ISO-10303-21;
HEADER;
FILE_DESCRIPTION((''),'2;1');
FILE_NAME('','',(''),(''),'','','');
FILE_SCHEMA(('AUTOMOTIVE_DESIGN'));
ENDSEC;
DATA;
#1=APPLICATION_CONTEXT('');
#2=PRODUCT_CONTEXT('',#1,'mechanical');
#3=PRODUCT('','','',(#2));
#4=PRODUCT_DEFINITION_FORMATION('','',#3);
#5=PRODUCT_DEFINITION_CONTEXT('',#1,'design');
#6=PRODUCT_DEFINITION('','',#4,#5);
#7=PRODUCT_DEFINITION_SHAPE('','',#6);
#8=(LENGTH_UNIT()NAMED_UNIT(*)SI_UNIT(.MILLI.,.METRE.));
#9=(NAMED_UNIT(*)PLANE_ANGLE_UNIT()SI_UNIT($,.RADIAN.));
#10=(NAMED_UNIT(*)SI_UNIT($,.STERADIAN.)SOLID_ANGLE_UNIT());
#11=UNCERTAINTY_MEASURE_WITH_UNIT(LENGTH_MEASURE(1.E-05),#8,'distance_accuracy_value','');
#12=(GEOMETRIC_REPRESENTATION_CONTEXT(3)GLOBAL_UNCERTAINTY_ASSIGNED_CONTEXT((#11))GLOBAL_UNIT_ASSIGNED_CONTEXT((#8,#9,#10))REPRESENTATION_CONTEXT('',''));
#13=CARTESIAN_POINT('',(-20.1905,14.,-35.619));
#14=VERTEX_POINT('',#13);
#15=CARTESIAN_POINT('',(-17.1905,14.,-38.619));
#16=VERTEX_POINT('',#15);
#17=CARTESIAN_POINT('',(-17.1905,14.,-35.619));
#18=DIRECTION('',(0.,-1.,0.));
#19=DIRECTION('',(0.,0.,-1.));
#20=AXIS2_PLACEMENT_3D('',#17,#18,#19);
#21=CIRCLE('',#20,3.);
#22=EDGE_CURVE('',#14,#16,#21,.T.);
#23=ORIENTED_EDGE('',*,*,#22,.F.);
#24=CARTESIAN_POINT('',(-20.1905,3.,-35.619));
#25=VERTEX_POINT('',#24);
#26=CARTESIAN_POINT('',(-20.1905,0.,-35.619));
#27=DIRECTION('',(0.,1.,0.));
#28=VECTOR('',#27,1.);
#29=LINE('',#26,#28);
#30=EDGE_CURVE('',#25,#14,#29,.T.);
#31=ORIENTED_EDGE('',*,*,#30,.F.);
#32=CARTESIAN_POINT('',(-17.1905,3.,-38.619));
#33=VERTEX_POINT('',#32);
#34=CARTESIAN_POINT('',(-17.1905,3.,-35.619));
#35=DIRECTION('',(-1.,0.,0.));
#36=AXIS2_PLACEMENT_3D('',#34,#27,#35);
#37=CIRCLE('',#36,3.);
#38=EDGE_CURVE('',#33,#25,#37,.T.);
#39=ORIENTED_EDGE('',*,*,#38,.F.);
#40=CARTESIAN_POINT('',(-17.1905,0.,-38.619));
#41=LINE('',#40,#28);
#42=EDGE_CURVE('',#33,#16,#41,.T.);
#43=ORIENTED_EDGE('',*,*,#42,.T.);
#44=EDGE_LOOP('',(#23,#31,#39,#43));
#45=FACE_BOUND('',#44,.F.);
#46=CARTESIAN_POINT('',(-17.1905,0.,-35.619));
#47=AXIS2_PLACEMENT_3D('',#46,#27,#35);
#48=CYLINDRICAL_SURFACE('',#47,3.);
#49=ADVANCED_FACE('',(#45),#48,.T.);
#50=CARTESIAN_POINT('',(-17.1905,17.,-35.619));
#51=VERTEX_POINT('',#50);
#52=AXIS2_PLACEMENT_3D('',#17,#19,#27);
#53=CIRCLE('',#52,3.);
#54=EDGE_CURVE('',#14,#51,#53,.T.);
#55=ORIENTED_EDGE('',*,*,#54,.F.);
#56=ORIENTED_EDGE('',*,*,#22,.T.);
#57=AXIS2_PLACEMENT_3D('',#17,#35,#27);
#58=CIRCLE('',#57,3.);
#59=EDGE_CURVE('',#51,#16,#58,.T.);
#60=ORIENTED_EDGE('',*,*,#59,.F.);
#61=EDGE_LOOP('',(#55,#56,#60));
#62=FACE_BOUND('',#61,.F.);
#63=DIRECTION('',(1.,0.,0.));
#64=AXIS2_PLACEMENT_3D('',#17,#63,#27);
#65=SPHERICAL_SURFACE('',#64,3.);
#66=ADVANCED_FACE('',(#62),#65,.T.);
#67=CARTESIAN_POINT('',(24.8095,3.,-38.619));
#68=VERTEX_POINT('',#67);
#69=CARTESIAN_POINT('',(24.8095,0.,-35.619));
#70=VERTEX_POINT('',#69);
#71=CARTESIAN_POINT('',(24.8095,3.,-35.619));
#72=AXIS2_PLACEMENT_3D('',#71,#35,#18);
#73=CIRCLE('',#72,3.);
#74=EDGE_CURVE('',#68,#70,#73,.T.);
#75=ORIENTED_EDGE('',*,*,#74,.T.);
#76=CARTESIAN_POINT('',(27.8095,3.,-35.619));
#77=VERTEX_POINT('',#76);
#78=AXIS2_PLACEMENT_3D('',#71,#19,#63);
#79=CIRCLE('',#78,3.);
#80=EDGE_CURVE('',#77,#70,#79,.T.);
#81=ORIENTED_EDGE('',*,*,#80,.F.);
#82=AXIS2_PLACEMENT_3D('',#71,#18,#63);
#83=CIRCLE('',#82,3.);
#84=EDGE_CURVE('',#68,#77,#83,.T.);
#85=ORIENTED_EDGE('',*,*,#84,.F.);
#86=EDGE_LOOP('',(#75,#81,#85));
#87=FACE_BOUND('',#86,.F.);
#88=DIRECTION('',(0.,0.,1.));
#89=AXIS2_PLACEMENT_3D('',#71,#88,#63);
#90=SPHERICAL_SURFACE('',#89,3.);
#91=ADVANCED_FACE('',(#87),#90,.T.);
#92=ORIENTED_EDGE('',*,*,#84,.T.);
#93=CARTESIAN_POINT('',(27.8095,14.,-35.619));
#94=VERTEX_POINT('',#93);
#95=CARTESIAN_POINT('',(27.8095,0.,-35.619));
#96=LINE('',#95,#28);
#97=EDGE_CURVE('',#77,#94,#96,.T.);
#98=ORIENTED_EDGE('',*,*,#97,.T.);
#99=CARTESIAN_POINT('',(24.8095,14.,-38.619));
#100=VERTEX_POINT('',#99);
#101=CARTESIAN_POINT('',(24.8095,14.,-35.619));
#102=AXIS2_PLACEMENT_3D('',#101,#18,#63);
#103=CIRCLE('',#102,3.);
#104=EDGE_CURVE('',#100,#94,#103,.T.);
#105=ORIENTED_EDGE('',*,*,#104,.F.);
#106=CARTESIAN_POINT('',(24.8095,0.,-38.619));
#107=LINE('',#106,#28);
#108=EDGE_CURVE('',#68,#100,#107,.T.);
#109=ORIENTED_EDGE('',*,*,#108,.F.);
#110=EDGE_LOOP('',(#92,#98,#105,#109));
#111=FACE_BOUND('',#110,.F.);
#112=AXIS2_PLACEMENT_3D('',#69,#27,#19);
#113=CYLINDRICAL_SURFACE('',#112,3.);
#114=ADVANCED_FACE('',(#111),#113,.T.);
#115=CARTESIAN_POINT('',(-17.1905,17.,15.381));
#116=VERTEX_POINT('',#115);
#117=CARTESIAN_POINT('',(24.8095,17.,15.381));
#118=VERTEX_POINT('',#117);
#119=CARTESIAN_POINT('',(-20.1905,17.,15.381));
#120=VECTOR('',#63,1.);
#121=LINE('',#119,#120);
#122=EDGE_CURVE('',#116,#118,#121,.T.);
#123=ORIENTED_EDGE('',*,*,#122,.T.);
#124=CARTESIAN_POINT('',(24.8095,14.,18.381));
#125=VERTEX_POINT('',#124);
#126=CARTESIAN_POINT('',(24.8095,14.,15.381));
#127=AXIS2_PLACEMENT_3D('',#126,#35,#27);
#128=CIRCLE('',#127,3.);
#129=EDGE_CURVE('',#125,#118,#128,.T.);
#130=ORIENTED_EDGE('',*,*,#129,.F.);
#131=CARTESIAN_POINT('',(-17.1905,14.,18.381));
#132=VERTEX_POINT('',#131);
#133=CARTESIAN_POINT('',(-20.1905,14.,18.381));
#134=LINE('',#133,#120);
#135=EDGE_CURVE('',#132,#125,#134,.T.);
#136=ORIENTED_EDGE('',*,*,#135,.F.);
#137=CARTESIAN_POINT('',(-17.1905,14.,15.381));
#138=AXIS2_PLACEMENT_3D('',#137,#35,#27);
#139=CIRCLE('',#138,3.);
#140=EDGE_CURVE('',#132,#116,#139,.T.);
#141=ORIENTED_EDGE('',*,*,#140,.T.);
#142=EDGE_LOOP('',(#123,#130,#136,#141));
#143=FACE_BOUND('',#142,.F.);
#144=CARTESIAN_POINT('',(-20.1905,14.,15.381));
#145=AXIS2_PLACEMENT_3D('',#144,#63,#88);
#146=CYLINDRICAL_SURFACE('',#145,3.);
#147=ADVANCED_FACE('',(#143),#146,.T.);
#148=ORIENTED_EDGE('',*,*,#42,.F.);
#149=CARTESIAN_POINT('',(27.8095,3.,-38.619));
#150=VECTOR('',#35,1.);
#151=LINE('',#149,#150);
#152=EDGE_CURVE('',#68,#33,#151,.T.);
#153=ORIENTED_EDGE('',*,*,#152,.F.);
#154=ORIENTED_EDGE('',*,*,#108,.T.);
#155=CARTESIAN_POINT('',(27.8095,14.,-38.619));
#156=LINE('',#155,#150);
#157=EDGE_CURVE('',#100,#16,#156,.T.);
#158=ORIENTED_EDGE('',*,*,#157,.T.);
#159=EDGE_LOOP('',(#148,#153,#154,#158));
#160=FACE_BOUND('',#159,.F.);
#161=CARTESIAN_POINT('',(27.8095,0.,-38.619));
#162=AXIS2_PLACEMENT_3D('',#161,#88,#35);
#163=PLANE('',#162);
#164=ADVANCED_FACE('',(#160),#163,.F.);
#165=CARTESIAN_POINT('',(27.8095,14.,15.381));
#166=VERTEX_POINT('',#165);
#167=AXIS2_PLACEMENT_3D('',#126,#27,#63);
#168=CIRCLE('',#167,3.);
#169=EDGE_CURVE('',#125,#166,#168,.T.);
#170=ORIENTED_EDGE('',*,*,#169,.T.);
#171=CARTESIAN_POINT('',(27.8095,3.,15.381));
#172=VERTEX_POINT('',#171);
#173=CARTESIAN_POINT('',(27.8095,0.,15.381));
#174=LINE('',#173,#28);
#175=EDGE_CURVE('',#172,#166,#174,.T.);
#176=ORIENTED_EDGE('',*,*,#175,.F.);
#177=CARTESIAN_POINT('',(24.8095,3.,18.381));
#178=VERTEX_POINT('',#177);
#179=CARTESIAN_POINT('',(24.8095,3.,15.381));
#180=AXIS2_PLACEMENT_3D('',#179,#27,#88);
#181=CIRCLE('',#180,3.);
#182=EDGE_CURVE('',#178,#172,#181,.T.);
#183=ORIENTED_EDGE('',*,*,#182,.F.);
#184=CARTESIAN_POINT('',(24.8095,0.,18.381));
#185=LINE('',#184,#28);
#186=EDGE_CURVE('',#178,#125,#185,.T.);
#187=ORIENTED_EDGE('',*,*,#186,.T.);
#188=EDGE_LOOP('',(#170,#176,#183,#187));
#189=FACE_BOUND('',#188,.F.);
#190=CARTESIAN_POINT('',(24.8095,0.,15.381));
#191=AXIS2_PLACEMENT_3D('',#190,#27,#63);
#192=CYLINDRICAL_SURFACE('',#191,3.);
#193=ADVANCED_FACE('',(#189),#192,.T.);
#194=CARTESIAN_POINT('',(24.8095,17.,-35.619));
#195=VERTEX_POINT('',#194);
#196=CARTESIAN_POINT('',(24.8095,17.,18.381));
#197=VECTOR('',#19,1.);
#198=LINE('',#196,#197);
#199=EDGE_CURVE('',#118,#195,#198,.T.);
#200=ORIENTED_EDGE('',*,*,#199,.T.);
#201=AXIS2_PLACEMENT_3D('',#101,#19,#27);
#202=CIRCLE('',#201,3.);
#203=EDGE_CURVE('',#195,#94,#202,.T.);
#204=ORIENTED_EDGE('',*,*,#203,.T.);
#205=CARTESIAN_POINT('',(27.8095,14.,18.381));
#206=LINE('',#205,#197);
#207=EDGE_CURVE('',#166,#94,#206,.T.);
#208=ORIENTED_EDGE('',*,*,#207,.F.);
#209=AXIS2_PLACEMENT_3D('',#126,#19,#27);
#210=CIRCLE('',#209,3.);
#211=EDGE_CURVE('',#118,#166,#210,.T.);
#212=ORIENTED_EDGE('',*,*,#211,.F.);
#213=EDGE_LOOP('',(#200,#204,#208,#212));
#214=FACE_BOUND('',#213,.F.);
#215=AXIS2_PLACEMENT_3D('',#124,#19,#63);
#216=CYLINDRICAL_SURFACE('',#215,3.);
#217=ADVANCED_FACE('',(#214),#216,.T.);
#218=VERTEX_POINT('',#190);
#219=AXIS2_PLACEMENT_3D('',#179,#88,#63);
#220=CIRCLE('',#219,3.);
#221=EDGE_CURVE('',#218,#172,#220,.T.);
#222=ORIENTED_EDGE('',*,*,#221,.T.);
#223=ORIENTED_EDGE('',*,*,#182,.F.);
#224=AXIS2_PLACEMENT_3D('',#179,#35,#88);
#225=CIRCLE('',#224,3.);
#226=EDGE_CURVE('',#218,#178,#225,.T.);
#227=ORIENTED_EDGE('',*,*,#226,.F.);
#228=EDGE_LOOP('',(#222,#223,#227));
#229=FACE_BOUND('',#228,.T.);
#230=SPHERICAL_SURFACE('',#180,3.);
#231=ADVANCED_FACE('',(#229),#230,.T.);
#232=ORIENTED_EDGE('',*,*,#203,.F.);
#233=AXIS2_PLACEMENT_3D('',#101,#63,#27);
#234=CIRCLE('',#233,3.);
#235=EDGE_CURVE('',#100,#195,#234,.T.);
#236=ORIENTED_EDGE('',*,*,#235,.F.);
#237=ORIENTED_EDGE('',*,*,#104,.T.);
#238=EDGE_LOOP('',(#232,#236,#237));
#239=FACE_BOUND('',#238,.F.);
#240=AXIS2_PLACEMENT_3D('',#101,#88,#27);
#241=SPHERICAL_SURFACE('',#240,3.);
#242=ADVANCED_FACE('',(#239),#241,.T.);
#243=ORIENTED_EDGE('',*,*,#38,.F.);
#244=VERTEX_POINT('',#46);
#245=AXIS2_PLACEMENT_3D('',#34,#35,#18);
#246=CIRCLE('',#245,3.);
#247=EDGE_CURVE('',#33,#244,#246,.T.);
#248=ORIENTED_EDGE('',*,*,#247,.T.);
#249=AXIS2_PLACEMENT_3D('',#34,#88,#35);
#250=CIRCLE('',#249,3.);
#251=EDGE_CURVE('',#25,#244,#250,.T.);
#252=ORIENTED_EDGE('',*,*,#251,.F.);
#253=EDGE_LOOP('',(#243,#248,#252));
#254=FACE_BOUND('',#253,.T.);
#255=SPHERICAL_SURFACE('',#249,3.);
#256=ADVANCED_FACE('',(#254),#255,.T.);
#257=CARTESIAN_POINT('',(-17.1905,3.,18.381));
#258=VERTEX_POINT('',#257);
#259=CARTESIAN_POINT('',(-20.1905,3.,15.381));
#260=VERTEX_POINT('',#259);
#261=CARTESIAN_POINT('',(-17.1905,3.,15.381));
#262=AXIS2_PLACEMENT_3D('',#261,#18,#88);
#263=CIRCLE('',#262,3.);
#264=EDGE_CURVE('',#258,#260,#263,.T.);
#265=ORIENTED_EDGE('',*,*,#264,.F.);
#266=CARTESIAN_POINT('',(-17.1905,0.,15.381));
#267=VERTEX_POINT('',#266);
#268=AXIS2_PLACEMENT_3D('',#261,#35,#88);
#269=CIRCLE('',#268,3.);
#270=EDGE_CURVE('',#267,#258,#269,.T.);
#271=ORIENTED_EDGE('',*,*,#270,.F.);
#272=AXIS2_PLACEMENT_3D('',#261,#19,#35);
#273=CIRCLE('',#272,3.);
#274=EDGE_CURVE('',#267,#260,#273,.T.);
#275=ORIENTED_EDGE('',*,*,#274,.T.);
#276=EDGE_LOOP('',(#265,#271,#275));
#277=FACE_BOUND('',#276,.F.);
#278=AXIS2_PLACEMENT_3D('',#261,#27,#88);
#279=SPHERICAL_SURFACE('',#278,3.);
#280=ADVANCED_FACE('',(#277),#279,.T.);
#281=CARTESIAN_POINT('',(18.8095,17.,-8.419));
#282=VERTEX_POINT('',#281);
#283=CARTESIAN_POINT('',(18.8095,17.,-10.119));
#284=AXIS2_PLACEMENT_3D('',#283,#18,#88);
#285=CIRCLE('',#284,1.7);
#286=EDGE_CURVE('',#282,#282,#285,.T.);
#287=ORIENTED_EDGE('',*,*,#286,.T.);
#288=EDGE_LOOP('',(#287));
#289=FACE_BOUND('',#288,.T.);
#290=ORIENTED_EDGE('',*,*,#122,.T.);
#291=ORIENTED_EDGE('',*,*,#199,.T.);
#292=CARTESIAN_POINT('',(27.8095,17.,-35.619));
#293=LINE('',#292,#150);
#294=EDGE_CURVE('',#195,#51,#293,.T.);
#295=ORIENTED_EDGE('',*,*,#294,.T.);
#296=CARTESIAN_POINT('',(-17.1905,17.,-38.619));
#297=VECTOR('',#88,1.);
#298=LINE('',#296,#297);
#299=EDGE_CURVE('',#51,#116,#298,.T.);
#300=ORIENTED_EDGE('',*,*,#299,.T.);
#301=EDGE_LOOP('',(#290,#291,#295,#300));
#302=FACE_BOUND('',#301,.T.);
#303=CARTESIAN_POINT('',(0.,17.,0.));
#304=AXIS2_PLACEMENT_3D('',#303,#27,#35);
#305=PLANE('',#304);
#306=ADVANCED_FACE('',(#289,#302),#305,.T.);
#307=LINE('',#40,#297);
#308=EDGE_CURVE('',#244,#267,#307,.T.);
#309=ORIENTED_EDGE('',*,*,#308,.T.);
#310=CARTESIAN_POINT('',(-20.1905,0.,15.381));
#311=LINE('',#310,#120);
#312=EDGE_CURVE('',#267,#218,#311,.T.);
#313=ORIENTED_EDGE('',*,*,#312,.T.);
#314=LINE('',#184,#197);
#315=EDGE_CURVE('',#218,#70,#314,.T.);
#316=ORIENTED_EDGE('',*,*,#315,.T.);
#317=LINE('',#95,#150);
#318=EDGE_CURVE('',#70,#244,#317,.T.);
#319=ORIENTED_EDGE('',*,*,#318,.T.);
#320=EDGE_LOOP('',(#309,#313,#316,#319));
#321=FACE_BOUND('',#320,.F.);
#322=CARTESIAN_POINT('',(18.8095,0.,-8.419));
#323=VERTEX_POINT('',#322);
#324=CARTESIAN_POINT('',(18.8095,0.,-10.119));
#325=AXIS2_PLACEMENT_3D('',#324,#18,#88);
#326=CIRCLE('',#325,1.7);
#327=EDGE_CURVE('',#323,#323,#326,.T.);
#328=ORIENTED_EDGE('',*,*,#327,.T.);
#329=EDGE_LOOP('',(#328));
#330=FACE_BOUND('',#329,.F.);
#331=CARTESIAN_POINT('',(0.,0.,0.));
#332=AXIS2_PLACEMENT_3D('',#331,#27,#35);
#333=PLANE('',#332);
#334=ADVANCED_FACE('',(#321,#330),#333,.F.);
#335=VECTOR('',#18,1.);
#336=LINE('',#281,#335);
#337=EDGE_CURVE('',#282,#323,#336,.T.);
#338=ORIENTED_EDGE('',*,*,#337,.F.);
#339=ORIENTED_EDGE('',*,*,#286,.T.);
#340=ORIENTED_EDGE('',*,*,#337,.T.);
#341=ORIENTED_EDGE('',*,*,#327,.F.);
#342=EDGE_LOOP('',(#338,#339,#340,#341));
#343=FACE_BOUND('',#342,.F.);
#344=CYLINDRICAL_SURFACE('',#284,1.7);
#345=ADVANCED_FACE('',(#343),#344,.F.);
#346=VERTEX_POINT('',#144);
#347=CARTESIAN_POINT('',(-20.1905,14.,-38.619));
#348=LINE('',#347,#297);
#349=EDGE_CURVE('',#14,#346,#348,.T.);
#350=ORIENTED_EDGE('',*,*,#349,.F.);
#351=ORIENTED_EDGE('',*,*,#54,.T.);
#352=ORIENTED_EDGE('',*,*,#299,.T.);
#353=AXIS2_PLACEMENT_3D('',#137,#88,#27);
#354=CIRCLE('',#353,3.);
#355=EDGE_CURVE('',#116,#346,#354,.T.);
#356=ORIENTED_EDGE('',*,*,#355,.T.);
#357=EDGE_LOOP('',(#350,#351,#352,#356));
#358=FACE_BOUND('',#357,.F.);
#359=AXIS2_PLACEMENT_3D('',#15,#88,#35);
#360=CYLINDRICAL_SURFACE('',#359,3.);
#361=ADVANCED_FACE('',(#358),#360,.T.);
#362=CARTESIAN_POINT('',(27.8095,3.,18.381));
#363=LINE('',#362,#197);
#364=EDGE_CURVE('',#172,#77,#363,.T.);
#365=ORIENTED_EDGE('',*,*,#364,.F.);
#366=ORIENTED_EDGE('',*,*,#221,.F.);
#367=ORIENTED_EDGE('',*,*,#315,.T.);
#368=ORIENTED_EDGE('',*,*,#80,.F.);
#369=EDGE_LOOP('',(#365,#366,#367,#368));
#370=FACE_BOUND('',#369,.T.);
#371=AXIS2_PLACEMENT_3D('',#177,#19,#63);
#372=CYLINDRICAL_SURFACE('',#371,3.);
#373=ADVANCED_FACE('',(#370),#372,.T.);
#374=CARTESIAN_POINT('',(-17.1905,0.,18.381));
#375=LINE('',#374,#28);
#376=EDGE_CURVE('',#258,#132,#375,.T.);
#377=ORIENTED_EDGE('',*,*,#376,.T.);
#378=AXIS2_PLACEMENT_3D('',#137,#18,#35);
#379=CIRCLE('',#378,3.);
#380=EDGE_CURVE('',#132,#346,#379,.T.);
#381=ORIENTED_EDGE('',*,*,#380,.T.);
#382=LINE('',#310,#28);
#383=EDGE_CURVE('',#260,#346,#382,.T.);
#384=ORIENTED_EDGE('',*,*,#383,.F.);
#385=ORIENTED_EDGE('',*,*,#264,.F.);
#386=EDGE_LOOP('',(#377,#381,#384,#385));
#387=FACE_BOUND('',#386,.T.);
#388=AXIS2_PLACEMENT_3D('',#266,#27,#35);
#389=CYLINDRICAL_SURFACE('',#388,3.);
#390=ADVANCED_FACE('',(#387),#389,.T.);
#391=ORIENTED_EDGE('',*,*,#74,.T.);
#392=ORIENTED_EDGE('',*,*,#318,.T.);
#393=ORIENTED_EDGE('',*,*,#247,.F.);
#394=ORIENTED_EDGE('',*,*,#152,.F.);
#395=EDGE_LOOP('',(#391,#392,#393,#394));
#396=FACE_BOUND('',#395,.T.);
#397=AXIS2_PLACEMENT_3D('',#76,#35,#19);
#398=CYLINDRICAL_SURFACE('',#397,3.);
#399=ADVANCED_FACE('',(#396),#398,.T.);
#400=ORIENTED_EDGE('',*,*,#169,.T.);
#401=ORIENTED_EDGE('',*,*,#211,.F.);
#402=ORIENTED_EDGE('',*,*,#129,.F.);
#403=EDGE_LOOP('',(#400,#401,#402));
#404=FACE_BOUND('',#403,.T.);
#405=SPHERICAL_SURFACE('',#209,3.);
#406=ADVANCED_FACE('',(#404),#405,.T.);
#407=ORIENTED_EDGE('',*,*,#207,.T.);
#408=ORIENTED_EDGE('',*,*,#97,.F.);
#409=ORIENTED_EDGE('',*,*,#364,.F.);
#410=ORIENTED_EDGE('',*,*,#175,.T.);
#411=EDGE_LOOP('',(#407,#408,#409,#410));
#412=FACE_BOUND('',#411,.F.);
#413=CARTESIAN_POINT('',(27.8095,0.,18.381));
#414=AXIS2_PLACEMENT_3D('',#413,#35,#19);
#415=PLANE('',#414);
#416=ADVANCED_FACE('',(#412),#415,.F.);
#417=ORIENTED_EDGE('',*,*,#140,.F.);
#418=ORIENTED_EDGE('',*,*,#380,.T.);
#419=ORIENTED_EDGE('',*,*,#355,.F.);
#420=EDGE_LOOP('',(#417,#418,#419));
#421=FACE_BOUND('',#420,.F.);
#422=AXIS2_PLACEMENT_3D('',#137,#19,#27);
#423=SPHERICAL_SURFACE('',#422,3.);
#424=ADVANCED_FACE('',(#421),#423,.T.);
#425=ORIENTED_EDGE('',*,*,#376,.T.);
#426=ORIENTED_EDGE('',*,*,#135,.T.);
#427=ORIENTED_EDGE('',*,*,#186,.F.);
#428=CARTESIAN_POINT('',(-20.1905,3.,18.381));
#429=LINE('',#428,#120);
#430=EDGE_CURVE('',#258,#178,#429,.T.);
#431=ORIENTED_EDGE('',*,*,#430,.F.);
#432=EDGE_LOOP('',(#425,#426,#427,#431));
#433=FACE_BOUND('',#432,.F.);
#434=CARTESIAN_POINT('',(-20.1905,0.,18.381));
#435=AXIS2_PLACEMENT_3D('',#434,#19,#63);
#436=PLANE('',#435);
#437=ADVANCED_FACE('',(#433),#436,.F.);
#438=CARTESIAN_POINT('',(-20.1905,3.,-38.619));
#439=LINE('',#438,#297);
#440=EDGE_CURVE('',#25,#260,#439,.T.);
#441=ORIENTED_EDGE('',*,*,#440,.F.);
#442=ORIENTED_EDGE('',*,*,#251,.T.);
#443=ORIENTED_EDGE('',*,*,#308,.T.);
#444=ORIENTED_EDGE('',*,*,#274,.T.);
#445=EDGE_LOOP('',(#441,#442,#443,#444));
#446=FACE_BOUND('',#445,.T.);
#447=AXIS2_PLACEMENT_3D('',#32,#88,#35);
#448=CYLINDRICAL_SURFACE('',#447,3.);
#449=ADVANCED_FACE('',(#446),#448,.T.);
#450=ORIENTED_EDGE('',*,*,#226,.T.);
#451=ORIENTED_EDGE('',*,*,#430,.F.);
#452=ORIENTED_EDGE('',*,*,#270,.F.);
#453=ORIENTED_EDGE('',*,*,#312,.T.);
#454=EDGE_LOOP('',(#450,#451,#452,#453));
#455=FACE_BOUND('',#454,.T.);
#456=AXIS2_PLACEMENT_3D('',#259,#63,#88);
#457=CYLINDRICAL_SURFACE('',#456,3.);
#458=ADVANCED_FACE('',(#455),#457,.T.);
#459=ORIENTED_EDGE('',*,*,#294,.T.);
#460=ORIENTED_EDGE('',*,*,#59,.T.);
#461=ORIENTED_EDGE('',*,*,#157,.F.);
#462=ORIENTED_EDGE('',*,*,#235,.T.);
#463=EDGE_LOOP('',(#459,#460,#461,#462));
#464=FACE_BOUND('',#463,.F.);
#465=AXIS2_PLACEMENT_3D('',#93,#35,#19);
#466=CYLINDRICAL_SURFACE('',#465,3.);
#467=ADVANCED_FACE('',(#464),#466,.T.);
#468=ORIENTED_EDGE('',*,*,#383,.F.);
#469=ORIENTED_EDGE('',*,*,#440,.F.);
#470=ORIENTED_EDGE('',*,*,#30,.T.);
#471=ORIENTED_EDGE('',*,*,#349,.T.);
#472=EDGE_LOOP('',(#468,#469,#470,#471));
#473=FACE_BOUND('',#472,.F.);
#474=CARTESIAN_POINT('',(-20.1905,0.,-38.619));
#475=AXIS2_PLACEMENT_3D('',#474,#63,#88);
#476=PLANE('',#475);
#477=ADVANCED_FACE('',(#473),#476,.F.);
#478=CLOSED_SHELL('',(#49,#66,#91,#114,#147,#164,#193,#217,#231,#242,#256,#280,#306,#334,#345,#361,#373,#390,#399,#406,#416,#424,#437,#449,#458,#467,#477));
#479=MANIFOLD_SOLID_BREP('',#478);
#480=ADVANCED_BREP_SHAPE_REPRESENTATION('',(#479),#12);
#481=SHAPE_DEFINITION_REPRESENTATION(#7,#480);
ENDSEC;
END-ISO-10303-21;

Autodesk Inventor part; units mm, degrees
ref_plane "YZ Plane" through (0, 0, 0) normal (1, 0, 0) x (0, 1, 0)
ref_plane "XZ Plane" through (0, 0, 0) normal (0, 1, 0) x (-1, 0, 0)
ref_plane "XY Plane" through (0, 0, 0) normal (0, 0, 1) x (1, 0, 0)
sketch "スケッチ1" plane through (0, 0, 0) normal (0, 1, 0) x (-1, 0, 0)
  line L0 (20.1905, 18.381) -> (-27.8095, 18.381)
  line L1 (-27.8095, 18.381) -> (-27.8095, -38.619)
  line L2 (-27.8095, -38.619) -> (20.1905, -38.619)
  line L3 (20.1905, -38.619) -> (20.1905, 18.381)
  point P0 (0, 0)
  dimension "d0" = 48
  dimension "d1" = 57
extrude "押し出し1" add sketch "スケッチ1" along normal blind 17
fillet "フィレット1" radius 3 12 edges at (27.8095, 17, -10.119) (3.8095, 17, -38.619) (-20.1905, 17, -10.119) (3.8095, 17, 18.381) (-20.1905, 8.5, 18.381) (27.8095, 8.5, 18.381) (3.8095, 0, 18.381) (27.8095, 0, -10.119) (-20.1905, 0, -10.119) (-20.1905, 8.5, -38.619) (27.8095, 8.5, -38.619) (3.8095, 0, -38.619)
sketch "スケッチ2" plane through (0, 17, 0) normal (0, 1, 0) x (1, 0, 0)
  line L0 (18.8095, 10.119) -> (18.8095, 38.619) construction
  line L1 (-17.1905, 38.619) -> (24.8095, 38.619) construction
  line L2 (18.8095, 10.119) -> (18.8095, -18.381) construction
  line L3 (24.8095, -18.381) -> (-17.1905, -18.381) construction
  line L4 (27.8095, -15.381) -> (27.8095, 35.619) construction
  point P0 (0, 0)
  dimension "d5" = 9
hole "穴1" at (18.8095, 17, -10.119) direction (0, -1, 0) diameter 3.4 depth 17 clearance for "Countersunk Flat Head Screw ISO 2009/7046" size "M3" standard "ISO"
properties part number "batterybox" material "ABS プラスチック"
